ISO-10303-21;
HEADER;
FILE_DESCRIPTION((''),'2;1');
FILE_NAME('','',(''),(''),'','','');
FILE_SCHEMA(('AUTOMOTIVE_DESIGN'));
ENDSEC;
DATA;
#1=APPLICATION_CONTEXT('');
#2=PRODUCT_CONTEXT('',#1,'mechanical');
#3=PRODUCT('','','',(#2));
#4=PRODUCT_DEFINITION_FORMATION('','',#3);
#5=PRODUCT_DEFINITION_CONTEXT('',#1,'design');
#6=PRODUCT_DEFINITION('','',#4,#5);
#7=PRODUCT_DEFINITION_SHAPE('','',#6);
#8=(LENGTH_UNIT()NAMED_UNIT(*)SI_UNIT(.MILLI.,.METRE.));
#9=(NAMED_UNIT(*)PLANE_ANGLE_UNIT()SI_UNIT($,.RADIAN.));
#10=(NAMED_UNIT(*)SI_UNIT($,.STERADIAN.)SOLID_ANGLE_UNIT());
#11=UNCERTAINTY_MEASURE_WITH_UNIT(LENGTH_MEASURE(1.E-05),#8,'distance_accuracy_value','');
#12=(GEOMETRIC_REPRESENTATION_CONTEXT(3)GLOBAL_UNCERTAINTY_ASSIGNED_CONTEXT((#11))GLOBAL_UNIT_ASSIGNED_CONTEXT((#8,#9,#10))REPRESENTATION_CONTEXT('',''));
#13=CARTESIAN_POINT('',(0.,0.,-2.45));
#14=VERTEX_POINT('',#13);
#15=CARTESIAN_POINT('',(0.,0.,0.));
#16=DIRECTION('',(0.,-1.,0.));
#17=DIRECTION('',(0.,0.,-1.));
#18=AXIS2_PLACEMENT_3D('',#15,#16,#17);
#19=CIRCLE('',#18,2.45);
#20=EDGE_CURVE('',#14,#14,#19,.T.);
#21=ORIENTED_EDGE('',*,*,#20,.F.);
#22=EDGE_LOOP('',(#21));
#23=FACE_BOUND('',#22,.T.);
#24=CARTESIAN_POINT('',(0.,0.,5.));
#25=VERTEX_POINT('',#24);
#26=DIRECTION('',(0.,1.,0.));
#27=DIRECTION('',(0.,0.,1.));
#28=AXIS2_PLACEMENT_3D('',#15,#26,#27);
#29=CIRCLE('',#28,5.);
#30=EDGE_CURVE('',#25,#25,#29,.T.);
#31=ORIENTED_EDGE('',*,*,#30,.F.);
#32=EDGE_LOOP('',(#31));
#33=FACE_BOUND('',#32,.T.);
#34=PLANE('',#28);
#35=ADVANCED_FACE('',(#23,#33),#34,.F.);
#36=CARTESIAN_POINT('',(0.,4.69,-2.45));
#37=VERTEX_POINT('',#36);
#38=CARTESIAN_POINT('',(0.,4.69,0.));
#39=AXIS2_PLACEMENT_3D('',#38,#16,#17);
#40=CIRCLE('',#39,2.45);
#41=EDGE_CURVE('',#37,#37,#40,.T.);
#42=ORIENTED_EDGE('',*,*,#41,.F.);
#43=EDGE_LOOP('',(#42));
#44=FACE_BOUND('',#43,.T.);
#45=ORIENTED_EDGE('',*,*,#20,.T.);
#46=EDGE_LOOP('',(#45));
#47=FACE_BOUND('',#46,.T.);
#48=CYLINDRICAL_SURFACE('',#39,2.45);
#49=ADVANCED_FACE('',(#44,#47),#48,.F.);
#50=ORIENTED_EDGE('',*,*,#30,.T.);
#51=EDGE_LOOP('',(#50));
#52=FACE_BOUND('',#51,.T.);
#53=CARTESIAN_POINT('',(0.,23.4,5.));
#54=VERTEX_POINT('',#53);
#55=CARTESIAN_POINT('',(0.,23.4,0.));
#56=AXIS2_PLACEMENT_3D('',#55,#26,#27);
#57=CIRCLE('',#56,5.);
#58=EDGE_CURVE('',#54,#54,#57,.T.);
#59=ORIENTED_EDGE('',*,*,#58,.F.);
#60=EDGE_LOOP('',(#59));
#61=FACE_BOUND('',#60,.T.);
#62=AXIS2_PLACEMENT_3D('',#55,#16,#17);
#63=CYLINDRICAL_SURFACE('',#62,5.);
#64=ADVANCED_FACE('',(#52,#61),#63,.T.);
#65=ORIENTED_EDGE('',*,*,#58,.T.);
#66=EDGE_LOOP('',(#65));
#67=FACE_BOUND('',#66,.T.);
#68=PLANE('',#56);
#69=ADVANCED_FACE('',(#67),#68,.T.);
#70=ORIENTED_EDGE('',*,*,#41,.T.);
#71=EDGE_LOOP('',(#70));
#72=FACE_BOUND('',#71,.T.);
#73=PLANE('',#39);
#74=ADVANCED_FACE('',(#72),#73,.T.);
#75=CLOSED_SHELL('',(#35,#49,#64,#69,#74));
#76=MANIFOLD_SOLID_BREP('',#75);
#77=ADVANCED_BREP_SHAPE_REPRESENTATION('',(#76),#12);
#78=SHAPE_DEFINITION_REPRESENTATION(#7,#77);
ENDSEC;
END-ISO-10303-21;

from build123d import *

# Parameters (mm, degrees)
SKETCH1_R           = 5
BOSS_EXTRUDE1_DEPTH = 23.4
SKETCH4_R           = 2.45
CUT_EXTRUDE2_DEPTH  = 4.69


with BuildPart() as part:
    # Sketch1 → Boss-Extrude1 (new body)
    with BuildSketch(Plane(origin=(0, 0, 0), x_dir=(1, 0, 0), z_dir=(0, 1, 0))):
        Circle(SKETCH1_R)
    extrude(amount=BOSS_EXTRUDE1_DEPTH)

    # Sketch4 → Cut-Extrude2 (cut)
    with BuildSketch(Plane(origin=(0, 0, 0), x_dir=(-1, 0, 0), z_dir=(0, -1, 0))):
        Circle(SKETCH4_R)
    extrude(amount=-CUT_EXTRUDE2_DEPTH, mode=Mode.SUBTRACT)


solid = part.part
